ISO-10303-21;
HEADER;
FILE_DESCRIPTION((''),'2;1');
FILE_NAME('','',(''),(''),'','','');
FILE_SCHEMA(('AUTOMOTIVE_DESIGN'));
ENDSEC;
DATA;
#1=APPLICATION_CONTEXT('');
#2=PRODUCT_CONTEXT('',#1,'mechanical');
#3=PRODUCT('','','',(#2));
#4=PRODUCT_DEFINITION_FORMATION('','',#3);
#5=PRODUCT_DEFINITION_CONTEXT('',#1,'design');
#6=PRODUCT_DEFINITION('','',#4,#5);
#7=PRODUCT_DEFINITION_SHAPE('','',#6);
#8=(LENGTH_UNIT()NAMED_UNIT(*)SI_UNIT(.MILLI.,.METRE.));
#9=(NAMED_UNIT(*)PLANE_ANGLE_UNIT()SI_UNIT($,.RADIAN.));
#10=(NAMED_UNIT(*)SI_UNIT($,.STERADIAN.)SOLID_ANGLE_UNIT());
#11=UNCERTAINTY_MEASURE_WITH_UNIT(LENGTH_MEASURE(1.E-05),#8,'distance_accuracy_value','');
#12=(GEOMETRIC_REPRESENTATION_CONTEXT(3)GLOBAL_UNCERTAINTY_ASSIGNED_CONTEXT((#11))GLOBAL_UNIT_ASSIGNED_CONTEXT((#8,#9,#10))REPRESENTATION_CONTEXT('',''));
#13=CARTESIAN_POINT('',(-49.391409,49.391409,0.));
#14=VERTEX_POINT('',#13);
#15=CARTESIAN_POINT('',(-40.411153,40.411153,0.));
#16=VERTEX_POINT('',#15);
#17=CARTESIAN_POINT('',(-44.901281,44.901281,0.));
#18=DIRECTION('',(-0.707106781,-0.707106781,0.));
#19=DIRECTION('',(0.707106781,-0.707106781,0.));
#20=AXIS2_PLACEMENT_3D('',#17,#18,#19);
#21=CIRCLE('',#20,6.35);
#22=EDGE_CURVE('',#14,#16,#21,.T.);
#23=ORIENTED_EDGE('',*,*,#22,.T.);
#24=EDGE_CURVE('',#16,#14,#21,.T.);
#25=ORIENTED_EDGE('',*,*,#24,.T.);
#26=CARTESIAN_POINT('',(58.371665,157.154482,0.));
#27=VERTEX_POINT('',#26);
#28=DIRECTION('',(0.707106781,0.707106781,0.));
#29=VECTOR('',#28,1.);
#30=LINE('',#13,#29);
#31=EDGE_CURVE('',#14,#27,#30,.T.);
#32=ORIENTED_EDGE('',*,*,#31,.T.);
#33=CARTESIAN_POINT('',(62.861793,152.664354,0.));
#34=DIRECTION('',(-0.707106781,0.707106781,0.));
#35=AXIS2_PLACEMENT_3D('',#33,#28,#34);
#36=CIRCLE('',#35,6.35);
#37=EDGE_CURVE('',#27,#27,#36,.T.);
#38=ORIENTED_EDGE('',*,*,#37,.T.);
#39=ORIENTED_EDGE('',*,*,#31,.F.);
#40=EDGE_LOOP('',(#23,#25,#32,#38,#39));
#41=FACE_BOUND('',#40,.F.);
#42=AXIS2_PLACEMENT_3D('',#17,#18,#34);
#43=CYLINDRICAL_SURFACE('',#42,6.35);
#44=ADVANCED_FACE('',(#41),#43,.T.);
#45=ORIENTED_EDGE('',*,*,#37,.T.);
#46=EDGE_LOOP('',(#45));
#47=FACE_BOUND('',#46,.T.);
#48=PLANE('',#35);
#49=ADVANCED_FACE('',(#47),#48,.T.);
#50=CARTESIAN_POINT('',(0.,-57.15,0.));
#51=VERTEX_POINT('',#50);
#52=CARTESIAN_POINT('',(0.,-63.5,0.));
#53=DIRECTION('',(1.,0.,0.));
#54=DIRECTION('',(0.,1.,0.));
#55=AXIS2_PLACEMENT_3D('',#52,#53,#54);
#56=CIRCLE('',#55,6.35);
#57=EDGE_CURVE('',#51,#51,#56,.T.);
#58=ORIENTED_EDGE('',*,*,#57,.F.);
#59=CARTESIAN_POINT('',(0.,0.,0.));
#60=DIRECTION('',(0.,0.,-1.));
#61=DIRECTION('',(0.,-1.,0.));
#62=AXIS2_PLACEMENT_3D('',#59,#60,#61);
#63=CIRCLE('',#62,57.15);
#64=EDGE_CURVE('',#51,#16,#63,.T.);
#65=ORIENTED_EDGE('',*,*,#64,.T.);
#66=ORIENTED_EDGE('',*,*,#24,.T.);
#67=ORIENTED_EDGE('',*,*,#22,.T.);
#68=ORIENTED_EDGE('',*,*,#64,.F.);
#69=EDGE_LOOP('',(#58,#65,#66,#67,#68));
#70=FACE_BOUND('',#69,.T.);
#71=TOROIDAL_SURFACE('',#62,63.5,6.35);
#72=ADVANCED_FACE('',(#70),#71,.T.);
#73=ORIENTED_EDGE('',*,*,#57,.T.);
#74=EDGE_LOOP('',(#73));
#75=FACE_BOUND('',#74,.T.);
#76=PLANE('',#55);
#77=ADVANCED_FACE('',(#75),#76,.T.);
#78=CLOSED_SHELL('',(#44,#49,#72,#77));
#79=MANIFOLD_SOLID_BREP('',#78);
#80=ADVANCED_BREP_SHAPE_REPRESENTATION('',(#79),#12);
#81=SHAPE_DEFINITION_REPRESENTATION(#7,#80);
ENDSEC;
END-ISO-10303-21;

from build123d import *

# Parameters (mm, degrees)
F0_R     = 6.35
F1_ANGLE = 135
F2_R     = 6.35
F3_DEPTH = 152.4


with BuildPart() as f1:
    # F0 (on Right) → F1 (revolve)
    with BuildSketch(Plane.YZ):
        with Locations((-63.5, 0)):
            Circle(F0_R)
    revolve(axis=Axis((0, 0, -2.603583), (0, 0, -1)), revolution_arc=F1_ANGLE)

    # F2 (on face) → F3 (join)
    with BuildSketch(Plane(origin=(0, 0, 0), x_dir=(-0.707107, 0.707107, 0), z_dir=(0.707107, 0.707107, 0))):
        with Locations((63.5, 0)):
            Circle(F2_R)
    extrude(amount=F3_DEPTH)


solid = f1.part
